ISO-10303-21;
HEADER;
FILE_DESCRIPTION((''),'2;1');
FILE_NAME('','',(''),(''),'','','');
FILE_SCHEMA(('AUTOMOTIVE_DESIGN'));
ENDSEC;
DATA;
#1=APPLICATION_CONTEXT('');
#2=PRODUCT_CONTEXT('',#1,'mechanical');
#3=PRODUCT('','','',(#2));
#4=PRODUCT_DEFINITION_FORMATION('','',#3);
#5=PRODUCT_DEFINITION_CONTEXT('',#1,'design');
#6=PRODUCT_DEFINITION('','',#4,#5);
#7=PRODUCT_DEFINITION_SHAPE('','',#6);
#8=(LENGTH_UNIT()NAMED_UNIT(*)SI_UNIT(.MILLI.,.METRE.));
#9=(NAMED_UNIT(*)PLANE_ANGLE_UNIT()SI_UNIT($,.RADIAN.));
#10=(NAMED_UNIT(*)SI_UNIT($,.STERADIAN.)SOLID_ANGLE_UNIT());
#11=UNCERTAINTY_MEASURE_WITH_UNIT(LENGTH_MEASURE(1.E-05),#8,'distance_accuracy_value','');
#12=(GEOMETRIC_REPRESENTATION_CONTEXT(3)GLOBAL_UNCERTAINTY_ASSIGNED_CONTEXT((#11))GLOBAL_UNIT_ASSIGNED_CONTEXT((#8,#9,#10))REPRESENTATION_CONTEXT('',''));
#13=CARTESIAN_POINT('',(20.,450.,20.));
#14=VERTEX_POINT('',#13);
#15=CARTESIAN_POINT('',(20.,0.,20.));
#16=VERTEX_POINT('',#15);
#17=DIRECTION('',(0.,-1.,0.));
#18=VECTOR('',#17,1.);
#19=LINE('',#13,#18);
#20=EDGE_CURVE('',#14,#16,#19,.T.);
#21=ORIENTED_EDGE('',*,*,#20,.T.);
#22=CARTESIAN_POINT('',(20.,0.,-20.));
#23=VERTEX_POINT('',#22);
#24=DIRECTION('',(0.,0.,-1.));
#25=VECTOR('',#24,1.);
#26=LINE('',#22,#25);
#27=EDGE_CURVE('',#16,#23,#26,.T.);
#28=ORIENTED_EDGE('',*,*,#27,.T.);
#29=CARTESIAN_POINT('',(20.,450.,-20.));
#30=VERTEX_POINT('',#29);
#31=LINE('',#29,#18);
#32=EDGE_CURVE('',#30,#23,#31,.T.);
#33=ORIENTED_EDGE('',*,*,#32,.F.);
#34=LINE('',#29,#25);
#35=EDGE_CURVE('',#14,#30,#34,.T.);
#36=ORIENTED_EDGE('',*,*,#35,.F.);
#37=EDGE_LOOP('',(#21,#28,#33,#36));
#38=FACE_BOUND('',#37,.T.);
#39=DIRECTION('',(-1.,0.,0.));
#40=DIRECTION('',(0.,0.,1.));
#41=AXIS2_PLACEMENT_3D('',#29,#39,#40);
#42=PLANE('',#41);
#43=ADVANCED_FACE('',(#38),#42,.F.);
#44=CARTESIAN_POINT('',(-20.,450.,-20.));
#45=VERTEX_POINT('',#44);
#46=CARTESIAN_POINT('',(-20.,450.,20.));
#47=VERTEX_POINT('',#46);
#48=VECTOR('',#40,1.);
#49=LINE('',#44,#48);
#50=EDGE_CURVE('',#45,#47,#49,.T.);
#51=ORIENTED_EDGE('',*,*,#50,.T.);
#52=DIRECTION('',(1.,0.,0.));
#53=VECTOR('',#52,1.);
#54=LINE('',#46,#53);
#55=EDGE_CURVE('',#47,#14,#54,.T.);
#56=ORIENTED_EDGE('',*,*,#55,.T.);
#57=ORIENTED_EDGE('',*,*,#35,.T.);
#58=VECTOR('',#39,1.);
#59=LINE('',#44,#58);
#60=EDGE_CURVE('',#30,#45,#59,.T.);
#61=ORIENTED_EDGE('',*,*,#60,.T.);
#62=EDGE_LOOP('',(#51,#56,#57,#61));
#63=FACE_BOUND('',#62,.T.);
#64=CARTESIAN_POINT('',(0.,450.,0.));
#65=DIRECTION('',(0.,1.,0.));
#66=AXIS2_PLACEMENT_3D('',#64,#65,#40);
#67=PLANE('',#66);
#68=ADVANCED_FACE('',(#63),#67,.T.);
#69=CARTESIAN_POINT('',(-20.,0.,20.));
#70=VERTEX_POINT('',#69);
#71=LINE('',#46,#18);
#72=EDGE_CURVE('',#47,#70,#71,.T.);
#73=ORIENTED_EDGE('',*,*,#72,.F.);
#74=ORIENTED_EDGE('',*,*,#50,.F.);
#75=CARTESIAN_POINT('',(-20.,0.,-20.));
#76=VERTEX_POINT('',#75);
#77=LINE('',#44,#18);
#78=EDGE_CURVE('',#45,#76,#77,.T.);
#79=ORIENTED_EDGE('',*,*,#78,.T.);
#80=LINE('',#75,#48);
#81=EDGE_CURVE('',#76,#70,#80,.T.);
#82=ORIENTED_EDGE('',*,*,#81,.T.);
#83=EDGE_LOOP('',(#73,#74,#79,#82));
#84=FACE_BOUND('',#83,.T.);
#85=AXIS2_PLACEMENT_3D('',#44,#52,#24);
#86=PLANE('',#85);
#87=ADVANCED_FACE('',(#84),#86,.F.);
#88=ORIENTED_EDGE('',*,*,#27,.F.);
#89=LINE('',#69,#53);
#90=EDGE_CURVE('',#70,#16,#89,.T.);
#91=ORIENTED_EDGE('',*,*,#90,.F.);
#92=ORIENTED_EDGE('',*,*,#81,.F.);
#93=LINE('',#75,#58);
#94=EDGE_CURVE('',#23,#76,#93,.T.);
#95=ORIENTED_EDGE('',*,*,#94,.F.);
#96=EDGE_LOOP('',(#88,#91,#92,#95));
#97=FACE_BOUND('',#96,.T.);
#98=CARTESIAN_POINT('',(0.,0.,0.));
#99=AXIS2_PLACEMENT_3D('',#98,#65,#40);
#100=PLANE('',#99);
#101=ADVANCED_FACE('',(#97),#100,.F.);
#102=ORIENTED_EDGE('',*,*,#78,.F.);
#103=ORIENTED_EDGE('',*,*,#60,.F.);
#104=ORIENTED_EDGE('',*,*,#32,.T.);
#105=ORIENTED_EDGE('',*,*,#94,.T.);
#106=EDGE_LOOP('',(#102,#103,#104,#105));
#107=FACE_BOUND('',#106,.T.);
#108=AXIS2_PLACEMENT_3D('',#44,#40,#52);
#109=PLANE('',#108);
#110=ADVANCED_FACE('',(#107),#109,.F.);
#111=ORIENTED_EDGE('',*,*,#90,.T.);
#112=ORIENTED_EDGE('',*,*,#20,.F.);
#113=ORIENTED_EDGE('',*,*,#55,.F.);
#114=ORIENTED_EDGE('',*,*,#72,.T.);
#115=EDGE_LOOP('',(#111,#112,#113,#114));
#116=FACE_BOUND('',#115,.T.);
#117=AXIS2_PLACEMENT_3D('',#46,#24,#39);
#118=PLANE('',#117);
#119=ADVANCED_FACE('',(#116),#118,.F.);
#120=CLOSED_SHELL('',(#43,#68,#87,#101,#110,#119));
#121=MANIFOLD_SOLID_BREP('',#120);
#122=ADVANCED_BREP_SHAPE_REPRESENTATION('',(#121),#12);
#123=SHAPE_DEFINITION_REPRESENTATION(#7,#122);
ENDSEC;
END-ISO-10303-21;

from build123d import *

# Parameters (mm, degrees)
SKETCH_1_W      = 40
SKETCH_1_H      = 40
EXTRUDE_1_DEPTH = 450


with BuildPart() as part:
    # Эскиз1 → Бобышка-Вытянуть1 (new body)
    with BuildSketch(Plane(origin=(0, 0, 0), x_dir=(1, 0, 0), z_dir=(0, 1, 0))):
        Rectangle(SKETCH_1_W, SKETCH_1_H)
    extrude(amount=EXTRUDE_1_DEPTH)


solid = part.part
